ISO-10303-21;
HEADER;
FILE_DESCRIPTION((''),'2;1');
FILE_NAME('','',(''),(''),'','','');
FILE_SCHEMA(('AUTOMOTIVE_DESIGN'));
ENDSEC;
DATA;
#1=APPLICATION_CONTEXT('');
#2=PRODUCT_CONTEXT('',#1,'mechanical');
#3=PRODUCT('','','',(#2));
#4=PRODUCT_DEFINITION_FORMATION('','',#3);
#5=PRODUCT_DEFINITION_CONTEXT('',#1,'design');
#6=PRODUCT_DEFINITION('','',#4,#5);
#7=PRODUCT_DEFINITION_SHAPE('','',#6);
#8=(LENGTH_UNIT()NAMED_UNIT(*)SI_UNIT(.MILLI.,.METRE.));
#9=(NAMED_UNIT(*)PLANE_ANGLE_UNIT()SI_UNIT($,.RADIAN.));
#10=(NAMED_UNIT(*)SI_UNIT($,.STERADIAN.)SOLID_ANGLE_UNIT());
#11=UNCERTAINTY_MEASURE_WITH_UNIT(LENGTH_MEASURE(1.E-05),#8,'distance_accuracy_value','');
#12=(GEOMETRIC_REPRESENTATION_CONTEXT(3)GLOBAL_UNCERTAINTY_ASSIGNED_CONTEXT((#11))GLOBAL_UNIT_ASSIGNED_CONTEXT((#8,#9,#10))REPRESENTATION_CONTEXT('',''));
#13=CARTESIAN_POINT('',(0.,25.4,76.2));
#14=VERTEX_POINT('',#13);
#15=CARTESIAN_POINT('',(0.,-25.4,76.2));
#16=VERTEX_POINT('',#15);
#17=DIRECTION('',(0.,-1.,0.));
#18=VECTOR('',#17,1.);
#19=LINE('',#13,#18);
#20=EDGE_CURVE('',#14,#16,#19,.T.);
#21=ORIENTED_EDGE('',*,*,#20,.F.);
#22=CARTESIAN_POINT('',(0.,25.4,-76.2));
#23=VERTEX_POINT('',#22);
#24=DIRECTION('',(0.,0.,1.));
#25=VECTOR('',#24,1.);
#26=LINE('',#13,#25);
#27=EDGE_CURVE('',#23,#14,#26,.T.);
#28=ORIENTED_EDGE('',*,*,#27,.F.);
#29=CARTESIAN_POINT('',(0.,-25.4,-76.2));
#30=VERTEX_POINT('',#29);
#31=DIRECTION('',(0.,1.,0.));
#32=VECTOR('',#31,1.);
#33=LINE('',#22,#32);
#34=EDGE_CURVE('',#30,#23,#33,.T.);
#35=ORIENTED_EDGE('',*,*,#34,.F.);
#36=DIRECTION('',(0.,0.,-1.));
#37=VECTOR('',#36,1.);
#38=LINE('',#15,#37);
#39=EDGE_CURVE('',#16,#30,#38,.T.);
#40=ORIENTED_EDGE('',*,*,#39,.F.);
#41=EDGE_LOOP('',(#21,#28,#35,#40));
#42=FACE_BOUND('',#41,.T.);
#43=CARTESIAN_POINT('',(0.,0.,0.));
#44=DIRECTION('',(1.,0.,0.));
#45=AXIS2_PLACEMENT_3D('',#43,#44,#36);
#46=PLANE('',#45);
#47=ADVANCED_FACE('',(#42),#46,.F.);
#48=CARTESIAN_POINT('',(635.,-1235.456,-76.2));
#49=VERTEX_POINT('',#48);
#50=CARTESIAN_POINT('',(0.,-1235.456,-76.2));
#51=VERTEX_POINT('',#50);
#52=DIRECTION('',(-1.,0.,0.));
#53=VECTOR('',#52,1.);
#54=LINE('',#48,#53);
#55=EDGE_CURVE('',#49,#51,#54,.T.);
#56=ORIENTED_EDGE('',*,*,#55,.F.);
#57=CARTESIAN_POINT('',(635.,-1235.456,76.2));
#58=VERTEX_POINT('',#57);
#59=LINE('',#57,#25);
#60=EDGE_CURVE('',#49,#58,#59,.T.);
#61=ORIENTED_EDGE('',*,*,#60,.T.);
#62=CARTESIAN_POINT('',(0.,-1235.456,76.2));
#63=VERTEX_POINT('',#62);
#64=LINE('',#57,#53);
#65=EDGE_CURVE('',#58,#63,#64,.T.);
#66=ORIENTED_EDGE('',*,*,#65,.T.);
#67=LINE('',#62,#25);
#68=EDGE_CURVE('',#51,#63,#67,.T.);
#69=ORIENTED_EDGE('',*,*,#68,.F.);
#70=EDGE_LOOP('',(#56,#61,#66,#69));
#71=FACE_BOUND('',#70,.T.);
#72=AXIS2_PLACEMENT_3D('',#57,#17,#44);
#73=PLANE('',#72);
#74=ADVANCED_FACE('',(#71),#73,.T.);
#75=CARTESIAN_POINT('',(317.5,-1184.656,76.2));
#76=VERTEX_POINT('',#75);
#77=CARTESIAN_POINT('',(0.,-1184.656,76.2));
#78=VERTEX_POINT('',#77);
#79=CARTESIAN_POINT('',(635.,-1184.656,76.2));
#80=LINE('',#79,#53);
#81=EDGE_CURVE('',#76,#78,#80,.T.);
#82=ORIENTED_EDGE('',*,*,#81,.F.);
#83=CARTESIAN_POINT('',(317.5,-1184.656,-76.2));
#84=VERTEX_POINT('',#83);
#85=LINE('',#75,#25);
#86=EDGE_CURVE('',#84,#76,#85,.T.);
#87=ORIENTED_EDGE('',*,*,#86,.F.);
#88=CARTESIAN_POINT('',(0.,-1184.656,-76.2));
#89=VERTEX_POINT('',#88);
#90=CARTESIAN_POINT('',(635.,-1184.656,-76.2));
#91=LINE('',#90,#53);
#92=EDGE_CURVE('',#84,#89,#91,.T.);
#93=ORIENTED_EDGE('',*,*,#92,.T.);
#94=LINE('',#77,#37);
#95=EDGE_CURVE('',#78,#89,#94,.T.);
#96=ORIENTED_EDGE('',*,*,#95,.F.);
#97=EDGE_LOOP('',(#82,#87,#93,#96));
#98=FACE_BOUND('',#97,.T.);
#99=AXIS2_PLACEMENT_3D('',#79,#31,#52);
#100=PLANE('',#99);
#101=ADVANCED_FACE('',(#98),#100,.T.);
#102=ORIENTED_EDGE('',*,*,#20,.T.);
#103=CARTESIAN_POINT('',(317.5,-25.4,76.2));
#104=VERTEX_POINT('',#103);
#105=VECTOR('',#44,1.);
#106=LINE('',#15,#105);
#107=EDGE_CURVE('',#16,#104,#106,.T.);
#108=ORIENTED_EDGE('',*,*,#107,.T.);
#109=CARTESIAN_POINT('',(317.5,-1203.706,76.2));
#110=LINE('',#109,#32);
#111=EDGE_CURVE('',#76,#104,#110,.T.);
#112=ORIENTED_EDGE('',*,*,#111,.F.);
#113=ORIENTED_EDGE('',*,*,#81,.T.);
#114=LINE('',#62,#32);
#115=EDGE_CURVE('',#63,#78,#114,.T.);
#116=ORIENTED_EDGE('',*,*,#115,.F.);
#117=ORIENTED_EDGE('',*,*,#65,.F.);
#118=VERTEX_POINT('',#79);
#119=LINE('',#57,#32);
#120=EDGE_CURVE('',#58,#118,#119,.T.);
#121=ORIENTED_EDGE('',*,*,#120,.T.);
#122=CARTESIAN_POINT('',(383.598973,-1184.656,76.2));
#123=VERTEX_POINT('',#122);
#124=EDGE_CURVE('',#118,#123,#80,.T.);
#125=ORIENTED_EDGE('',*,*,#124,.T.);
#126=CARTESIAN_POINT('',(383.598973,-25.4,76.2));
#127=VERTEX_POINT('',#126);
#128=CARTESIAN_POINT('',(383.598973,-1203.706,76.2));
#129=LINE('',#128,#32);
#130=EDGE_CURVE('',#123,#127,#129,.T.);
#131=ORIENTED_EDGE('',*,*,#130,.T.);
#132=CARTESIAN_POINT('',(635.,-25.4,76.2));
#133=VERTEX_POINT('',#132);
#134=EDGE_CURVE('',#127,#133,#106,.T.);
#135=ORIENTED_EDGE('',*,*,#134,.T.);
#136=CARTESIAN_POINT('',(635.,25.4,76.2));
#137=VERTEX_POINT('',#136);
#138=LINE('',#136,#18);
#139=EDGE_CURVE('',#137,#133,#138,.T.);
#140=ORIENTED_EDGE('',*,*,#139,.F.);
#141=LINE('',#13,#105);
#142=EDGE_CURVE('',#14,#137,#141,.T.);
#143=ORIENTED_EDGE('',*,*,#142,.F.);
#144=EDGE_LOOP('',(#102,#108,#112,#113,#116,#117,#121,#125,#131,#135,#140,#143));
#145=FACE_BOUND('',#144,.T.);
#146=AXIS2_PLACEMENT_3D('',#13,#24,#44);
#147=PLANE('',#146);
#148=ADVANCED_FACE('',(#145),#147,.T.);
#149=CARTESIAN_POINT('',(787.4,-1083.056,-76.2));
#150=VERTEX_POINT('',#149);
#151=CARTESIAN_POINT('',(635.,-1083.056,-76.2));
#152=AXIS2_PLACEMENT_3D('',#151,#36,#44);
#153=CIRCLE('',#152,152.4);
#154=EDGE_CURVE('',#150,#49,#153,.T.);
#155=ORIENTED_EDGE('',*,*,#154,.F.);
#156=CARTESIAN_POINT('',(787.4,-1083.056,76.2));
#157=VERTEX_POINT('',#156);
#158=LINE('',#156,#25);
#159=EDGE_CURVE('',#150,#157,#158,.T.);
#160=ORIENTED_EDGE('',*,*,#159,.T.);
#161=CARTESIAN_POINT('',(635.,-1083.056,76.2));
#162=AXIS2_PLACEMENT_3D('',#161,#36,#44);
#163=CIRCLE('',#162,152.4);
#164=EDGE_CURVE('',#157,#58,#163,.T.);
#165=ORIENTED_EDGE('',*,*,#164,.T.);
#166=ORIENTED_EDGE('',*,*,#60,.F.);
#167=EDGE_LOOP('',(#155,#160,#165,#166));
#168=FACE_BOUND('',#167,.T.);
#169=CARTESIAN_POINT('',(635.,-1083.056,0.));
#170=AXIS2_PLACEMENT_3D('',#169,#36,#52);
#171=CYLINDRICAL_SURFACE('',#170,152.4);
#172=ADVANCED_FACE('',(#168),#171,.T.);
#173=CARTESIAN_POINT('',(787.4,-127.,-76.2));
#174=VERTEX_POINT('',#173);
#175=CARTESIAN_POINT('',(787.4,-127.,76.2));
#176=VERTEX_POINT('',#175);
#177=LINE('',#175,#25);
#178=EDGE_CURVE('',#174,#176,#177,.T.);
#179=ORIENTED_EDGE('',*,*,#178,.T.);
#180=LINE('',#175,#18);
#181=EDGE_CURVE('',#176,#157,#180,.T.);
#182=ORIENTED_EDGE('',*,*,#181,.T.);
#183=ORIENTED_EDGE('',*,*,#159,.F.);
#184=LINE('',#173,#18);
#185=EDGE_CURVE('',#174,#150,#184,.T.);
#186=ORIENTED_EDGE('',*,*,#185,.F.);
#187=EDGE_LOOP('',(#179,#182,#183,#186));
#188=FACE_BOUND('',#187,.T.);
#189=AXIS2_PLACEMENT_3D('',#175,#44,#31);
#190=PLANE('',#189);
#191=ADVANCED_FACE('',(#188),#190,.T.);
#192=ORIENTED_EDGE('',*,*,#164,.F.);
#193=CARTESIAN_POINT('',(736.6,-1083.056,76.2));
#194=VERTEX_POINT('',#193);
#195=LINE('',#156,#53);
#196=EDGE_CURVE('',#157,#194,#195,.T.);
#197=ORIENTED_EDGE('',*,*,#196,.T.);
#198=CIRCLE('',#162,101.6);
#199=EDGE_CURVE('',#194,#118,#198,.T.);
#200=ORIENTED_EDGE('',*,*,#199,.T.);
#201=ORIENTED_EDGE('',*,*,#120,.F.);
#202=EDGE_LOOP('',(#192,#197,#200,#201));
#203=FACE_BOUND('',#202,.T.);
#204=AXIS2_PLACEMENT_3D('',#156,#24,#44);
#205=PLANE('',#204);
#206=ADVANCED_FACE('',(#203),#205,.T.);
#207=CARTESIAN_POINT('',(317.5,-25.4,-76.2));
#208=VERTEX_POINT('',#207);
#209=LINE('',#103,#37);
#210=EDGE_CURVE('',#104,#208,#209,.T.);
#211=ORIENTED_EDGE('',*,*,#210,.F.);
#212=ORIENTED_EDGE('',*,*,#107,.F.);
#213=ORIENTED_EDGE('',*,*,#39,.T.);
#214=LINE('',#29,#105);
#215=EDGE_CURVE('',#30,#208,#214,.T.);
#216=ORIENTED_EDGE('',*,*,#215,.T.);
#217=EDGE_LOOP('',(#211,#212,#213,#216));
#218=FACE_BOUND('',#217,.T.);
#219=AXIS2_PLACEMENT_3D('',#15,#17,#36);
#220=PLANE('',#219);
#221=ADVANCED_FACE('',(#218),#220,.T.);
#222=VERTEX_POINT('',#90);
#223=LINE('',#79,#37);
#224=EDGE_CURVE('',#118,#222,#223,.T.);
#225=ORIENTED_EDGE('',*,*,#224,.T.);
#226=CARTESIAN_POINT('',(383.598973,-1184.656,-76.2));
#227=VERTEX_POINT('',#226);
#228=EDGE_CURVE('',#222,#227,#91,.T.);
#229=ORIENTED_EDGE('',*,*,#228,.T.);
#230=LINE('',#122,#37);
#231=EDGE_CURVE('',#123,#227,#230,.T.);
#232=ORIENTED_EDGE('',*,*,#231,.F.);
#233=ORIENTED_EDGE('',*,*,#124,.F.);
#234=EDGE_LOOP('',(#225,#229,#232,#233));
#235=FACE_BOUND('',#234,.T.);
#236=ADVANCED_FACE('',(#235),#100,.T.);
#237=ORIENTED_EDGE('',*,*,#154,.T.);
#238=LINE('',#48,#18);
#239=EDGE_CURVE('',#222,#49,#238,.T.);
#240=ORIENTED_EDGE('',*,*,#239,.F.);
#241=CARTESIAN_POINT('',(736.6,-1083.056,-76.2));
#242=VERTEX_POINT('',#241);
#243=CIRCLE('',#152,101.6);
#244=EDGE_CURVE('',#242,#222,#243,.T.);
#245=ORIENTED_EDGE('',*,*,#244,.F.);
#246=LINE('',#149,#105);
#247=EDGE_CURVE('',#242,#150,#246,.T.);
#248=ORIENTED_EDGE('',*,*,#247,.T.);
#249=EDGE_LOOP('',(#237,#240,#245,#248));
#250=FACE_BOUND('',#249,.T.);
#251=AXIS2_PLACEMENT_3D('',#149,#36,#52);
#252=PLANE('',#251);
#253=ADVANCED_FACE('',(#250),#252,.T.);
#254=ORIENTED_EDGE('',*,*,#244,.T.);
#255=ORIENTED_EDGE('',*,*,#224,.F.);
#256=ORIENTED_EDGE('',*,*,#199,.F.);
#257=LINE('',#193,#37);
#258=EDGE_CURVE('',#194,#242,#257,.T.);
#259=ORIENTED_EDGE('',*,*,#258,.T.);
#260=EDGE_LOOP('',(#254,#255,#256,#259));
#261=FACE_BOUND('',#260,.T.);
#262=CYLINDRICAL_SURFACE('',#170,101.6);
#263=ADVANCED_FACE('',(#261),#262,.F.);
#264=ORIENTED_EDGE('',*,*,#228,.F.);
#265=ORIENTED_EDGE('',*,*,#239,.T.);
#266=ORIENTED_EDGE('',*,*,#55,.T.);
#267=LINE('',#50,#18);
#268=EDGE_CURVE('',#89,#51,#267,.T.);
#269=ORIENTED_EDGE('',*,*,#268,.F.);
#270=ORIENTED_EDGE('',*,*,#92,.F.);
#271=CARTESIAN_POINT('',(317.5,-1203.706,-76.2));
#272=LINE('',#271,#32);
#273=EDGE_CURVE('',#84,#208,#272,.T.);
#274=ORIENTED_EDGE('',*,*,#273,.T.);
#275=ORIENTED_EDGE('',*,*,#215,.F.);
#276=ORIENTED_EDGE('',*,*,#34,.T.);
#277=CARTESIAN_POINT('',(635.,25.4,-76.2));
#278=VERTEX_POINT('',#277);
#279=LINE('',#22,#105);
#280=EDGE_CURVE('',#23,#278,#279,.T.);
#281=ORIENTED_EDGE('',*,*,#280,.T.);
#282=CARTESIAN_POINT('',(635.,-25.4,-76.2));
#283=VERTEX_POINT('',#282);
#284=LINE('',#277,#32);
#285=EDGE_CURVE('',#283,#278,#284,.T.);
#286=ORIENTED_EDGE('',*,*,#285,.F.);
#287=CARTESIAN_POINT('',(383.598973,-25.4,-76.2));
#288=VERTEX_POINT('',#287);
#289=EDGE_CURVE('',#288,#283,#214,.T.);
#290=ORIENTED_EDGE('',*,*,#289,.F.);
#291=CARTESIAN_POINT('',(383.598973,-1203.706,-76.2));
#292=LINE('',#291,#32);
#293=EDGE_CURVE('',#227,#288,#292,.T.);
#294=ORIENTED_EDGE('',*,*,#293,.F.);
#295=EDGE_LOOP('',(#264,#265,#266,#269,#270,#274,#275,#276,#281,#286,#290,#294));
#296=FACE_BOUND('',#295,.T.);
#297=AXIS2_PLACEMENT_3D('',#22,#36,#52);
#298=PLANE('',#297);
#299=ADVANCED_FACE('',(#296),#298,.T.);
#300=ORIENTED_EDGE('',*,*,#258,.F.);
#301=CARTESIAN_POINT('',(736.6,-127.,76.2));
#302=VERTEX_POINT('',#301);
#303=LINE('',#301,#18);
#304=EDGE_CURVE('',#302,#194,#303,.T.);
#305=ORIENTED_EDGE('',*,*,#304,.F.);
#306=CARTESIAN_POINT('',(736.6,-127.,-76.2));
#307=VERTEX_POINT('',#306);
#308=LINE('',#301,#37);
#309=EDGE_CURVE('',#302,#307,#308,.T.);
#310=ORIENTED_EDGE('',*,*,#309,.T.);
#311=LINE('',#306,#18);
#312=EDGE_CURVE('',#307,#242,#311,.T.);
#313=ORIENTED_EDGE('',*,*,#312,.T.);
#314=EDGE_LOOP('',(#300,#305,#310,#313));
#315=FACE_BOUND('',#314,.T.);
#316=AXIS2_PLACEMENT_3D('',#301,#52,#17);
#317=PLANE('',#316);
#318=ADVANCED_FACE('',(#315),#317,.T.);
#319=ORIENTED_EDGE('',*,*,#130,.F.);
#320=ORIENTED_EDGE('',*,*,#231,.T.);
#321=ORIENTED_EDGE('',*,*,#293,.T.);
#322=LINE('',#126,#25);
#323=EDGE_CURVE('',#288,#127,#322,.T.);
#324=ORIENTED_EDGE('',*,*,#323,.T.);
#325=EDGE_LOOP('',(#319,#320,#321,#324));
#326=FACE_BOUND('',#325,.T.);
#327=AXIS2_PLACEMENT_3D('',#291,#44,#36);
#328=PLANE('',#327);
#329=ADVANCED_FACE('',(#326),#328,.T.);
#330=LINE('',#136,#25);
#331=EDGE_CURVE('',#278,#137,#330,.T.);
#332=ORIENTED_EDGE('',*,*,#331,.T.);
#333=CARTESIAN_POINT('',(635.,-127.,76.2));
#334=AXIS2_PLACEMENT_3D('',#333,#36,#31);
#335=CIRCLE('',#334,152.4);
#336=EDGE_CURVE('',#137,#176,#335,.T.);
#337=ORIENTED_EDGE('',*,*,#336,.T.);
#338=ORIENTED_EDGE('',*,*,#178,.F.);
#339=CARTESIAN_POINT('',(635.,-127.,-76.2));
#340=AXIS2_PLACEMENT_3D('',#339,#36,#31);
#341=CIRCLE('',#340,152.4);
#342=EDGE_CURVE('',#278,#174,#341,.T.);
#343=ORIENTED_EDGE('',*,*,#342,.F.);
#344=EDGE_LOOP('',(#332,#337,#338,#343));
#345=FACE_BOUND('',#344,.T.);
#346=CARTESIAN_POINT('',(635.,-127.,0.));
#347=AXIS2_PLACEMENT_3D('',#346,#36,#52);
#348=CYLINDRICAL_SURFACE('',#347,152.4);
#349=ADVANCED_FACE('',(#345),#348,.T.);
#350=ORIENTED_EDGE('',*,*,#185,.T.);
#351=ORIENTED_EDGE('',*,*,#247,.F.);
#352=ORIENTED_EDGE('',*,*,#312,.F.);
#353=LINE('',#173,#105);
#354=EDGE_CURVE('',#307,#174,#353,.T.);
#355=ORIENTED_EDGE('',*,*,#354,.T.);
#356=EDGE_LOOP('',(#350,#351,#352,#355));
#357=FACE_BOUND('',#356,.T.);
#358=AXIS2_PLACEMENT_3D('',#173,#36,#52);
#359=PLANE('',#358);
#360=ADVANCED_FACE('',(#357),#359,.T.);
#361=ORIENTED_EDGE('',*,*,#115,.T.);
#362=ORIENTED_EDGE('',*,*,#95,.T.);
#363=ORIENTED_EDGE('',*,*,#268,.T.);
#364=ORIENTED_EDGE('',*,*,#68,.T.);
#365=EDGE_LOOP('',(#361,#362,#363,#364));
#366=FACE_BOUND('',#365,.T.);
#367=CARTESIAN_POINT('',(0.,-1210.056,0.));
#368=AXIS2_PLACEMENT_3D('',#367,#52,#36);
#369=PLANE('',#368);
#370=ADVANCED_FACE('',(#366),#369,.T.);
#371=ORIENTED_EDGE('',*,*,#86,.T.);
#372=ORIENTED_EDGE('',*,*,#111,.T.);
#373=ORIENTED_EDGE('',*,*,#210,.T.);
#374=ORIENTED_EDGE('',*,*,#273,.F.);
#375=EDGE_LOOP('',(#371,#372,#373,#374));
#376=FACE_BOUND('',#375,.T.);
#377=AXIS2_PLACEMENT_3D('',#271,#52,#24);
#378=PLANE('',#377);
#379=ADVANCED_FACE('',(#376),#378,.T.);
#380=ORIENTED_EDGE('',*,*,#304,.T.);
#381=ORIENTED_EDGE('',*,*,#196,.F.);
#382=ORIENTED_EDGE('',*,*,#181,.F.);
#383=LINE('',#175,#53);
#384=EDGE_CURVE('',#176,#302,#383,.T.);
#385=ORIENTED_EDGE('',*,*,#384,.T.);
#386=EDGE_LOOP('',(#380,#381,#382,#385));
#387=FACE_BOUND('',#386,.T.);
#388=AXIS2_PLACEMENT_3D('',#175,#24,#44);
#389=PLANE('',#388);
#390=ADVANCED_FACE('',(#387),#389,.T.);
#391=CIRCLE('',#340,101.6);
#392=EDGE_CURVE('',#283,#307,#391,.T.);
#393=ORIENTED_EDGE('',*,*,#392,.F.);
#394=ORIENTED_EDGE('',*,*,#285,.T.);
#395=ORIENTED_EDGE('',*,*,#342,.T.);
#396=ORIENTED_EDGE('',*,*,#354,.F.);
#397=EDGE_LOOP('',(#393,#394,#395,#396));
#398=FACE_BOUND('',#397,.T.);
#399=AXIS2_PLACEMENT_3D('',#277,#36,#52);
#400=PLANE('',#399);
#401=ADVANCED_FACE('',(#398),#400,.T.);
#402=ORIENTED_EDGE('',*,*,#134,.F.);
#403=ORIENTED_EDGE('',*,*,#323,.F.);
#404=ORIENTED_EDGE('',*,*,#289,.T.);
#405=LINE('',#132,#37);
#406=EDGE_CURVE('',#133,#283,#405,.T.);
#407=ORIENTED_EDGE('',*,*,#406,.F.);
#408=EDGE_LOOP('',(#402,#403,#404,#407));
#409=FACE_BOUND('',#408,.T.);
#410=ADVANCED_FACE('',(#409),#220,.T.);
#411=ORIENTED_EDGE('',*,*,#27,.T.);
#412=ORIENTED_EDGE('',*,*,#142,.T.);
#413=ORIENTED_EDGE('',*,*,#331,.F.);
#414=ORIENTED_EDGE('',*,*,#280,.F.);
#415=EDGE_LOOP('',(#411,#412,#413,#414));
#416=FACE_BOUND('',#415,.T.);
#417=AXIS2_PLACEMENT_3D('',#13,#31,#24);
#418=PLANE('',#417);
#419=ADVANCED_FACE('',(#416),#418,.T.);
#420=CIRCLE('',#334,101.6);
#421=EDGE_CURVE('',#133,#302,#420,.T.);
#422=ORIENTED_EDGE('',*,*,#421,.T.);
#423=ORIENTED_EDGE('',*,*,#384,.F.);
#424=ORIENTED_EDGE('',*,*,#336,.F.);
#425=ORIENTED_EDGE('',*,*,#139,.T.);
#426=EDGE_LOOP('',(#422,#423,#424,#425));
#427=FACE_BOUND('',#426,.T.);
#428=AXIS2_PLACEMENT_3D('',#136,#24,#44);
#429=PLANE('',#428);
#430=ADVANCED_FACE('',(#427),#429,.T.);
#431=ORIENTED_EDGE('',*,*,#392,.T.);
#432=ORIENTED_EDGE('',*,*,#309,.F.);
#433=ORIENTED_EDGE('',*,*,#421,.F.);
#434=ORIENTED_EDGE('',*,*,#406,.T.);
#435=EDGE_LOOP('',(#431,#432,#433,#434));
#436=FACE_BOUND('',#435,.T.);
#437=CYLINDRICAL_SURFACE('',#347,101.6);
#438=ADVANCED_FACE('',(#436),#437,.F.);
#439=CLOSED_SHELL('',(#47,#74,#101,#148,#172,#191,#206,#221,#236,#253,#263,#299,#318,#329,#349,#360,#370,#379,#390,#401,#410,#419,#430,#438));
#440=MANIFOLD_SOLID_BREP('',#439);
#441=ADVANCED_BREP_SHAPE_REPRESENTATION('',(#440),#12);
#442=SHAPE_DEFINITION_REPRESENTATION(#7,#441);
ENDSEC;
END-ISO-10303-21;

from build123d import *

# Parameters (mm, degrees)
SKETCH2_W           = 152.4
SKETCH2_H           = 50.8
SKETCH3_W           = 66.098972621
SKETCH3_H           = 152.4
BOSS_EXTRUDE1_DEPTH = 1229.106


with BuildPart() as part:
    # Sweep1: sweep along a path in Sketch1
    with BuildLine(Plane.XY) as sweep1_path:
        Line((0, 0), (635, 0))
        ThreePointArc((635, 0), (724.802561211, -37.197438789), (762, -127))
        Line((762, -127), (762, -1083.056))
        ThreePointArc((762, -1083.056), (724.802561211, -1172.858561211), (635, -1210.056))
        Line((635, -1210.056), (0, -1210.056))
    # Sketch2 → Sweep1 (sweep)
    with BuildSketch(Plane(origin=(0, 0, 0), x_dir=(0, 0, -1), z_dir=(1, 0, 0))):
        Rectangle(SKETCH2_W, SKETCH2_H)
    sweep(path=sweep1_path.line)

    # Sketch3 → Boss-Extrude1 (add)
    with BuildSketch(Plane(origin=(0, 25.4, 0), x_dir=(1, 0, 0), z_dir=(0, 1, 0))):
        with Locations((350.549486311, 0)):
            Rectangle(SKETCH3_W, SKETCH3_H)
    extrude(amount=-BOSS_EXTRUDE1_DEPTH)


solid = part.part
